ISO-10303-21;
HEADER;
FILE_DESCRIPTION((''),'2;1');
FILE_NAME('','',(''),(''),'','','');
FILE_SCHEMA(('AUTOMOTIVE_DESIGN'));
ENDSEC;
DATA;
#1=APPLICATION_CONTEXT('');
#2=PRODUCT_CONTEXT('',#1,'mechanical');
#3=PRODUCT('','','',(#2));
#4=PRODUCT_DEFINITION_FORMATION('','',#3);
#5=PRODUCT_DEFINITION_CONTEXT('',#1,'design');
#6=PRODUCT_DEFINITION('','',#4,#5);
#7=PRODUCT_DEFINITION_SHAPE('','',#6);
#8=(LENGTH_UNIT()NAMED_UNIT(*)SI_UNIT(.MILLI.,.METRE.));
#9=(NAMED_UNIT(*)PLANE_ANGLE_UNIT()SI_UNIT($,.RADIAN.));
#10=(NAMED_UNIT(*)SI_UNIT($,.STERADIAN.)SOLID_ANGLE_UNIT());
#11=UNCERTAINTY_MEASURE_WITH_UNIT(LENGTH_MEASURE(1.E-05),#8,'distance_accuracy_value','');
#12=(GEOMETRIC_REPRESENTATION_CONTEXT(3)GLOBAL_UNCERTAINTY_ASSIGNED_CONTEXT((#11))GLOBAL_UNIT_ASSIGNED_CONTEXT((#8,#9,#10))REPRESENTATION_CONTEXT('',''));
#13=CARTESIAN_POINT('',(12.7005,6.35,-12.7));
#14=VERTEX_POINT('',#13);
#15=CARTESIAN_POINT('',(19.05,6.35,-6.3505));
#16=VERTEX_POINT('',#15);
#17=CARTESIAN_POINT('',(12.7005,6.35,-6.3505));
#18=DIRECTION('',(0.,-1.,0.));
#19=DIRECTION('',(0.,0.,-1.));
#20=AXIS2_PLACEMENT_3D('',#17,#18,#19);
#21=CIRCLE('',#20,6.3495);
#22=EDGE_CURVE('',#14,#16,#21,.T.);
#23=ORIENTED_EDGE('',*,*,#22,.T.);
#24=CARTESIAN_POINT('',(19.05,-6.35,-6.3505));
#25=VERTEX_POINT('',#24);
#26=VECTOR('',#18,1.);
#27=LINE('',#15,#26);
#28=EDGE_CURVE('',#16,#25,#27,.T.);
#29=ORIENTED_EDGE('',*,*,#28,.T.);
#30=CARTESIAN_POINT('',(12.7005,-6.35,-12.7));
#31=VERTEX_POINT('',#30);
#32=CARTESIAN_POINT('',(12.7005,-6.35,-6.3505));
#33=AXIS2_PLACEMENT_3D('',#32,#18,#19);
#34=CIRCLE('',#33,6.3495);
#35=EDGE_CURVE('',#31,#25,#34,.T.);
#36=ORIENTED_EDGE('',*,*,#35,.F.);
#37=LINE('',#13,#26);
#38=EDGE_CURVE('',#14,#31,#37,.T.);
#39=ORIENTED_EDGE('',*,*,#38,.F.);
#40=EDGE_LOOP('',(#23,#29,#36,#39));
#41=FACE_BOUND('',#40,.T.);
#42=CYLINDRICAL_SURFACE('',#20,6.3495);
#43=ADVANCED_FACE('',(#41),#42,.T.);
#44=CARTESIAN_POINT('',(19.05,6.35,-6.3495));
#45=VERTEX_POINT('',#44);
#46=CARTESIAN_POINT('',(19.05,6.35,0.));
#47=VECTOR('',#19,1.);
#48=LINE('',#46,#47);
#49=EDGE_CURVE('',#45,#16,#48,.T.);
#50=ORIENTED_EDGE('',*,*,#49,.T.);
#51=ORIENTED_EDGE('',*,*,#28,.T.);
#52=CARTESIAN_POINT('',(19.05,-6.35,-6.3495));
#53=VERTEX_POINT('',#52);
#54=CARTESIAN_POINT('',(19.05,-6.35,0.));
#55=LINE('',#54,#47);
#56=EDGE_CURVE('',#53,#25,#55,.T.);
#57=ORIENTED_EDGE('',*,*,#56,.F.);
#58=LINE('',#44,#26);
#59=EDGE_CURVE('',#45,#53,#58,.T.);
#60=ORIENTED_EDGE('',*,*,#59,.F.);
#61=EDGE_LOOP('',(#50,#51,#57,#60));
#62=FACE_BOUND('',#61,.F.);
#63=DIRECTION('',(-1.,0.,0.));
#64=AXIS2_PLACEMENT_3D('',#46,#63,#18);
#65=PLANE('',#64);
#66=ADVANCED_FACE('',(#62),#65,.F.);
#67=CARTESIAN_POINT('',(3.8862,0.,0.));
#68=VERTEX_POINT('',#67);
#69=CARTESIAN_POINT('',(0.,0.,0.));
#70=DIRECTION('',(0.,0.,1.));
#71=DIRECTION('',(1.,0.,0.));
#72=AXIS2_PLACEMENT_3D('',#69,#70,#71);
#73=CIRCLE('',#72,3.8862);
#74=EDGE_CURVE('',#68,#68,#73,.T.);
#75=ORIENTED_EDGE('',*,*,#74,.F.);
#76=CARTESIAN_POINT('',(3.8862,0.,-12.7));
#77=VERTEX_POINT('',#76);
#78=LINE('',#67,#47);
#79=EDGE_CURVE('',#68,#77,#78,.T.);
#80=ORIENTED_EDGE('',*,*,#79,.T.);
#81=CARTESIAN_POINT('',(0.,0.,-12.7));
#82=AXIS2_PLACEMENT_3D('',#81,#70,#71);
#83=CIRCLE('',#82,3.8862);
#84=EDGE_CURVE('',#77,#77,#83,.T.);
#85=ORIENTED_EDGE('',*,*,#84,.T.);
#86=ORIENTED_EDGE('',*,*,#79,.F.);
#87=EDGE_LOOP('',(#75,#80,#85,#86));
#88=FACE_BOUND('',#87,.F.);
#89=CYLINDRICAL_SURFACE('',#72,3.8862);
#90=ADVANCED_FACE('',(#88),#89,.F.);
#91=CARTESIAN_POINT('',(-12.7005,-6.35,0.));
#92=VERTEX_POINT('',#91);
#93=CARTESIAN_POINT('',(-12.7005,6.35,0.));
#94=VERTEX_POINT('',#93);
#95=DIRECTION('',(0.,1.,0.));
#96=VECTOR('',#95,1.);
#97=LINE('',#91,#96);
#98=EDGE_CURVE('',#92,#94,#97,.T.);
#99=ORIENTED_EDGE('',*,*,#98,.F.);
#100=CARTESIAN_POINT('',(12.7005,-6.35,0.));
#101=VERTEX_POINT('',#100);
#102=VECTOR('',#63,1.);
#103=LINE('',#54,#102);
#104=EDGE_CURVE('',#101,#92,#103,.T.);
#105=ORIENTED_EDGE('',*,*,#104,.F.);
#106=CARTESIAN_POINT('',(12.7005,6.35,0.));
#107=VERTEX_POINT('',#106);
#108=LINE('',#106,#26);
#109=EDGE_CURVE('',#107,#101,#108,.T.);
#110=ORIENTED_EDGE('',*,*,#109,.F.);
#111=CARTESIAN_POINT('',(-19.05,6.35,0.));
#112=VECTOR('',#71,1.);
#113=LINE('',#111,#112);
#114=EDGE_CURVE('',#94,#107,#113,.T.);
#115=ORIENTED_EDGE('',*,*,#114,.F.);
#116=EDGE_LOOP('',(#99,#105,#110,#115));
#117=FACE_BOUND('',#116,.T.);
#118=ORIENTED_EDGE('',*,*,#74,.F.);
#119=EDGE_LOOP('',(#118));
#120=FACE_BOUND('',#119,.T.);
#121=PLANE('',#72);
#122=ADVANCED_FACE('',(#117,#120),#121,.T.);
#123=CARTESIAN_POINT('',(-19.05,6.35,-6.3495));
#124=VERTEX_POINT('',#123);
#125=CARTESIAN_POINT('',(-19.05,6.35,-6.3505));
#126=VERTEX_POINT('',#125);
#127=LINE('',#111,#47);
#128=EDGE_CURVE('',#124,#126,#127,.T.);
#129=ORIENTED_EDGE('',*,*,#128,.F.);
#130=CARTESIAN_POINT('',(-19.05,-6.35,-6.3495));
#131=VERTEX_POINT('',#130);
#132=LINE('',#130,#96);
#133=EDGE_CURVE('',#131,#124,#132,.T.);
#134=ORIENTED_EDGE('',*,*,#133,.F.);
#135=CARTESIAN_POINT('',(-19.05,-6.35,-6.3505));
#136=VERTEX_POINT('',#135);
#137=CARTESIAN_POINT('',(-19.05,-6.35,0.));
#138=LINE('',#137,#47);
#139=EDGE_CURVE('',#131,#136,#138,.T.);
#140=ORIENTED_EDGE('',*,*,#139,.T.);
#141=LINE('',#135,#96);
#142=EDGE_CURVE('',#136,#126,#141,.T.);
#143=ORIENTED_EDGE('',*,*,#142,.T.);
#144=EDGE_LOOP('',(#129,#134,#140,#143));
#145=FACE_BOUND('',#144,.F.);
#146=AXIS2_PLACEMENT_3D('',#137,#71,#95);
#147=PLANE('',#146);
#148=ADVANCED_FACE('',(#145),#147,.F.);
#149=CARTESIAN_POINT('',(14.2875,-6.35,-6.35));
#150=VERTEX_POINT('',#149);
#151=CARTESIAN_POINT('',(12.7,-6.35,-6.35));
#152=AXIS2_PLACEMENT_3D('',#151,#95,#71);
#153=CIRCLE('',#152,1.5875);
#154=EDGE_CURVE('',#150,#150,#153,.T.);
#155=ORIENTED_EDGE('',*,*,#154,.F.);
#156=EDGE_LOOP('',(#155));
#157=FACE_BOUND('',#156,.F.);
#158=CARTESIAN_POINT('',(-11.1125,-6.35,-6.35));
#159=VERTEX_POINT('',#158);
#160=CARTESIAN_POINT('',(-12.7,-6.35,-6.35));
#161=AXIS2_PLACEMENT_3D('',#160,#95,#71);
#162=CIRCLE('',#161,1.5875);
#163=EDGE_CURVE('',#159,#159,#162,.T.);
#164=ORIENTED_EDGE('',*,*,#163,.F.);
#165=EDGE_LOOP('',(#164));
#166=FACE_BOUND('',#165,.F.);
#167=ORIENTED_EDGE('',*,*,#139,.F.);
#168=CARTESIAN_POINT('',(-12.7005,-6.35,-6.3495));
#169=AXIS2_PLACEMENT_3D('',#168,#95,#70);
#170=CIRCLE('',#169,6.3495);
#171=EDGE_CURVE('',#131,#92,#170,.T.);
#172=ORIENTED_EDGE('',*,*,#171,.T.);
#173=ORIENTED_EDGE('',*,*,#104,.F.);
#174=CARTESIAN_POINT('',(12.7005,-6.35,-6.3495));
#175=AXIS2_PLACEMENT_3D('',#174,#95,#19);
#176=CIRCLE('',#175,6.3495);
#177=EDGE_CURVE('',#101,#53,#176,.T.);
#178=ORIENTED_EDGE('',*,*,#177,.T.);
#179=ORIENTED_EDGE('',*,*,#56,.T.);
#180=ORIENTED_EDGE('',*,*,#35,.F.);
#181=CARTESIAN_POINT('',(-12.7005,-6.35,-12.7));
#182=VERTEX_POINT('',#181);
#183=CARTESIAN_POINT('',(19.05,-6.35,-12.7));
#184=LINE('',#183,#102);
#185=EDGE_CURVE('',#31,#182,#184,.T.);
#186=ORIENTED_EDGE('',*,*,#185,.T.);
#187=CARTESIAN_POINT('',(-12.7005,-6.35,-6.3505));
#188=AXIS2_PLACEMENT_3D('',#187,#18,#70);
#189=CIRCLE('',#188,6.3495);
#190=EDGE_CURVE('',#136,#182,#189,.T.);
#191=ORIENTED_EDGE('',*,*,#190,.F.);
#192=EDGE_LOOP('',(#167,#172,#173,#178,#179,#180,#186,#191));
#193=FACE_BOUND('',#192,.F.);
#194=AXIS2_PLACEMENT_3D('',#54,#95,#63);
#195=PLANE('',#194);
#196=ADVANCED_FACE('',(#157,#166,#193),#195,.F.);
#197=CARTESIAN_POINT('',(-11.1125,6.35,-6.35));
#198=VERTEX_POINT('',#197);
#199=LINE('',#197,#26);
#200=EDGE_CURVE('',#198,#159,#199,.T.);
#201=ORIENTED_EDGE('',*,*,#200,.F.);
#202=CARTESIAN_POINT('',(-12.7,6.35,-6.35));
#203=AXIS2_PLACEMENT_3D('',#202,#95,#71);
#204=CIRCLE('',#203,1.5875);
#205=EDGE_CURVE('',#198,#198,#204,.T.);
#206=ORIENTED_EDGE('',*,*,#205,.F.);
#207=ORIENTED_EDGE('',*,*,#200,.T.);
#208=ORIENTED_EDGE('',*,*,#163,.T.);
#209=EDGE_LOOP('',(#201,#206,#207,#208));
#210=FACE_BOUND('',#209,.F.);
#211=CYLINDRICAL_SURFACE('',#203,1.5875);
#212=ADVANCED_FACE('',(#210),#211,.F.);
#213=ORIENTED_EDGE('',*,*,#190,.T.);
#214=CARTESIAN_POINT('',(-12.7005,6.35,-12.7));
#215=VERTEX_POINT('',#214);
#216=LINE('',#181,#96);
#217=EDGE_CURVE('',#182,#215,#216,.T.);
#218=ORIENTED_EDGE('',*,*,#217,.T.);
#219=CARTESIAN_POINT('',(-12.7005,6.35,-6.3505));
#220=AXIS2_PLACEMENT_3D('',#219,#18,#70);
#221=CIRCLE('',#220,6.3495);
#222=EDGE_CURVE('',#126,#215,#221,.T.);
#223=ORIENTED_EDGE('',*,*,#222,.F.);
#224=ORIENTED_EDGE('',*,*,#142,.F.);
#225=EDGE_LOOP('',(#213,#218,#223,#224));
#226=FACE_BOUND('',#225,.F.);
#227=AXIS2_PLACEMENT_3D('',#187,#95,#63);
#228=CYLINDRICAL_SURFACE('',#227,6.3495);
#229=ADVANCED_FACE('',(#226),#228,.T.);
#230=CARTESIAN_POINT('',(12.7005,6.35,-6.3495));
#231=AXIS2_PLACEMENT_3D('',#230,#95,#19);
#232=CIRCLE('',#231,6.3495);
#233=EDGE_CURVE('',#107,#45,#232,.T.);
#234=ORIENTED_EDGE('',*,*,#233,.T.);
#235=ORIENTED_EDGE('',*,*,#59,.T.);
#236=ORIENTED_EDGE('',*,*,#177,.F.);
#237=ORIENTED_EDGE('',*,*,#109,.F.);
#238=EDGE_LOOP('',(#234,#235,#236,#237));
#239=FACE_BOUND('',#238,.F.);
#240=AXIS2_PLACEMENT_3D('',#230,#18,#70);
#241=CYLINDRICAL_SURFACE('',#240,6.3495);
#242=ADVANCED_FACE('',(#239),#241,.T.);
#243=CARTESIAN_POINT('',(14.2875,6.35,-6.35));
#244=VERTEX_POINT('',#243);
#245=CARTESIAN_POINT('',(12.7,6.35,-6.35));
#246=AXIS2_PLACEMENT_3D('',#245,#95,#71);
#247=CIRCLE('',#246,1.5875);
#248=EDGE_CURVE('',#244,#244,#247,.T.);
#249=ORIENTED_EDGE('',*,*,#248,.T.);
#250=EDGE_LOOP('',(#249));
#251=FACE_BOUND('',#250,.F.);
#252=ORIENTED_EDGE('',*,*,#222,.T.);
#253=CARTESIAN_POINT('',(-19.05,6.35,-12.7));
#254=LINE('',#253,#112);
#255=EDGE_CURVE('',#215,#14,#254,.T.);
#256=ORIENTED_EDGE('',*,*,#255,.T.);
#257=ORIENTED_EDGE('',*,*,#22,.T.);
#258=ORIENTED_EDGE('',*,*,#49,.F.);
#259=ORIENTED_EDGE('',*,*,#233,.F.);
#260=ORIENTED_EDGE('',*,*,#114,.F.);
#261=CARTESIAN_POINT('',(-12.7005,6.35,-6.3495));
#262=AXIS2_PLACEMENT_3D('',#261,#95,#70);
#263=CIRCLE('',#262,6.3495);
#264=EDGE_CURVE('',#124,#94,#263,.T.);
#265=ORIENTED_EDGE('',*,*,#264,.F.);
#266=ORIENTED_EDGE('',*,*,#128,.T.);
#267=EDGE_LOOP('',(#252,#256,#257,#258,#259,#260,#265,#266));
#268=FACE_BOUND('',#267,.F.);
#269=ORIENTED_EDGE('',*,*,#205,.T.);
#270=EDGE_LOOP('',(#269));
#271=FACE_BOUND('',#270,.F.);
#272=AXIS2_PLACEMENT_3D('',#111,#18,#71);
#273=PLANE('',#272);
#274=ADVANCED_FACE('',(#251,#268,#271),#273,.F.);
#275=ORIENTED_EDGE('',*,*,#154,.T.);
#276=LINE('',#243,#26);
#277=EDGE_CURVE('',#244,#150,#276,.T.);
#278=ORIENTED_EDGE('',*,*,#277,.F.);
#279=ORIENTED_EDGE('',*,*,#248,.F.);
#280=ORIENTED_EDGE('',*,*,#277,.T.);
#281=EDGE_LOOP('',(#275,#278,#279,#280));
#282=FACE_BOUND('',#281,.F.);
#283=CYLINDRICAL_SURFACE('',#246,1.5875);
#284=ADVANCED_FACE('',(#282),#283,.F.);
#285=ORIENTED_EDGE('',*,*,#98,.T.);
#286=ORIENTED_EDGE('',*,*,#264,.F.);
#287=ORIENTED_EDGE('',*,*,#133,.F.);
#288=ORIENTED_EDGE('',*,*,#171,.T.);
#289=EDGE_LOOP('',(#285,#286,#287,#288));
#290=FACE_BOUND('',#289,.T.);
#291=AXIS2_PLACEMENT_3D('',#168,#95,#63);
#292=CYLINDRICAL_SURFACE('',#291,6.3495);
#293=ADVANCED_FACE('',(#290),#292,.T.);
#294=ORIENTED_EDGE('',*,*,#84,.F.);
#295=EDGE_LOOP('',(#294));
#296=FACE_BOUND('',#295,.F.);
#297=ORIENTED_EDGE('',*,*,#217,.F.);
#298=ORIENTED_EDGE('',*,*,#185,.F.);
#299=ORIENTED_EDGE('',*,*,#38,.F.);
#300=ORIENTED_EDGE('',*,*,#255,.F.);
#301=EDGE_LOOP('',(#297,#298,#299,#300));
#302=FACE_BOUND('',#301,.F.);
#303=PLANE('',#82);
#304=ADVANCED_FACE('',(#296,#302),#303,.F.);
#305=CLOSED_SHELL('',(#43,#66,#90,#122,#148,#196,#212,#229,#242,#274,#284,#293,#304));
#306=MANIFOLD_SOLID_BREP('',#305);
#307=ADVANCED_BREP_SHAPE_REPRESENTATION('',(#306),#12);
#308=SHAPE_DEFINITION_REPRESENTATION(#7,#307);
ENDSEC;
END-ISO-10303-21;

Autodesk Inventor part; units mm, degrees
ref_plane "YZ Plane" through (0, 0, 0) normal (1, 0, 0) x (0, 1, 0)
ref_plane "XZ Plane" through (0, 0, 0) normal (0, 1, 0) x (-1, 0, 0)
ref_plane "XY Plane" through (0, 0, 0) normal (0, 0, 1) x (1, 0, 0)
sketch "Sketch1" plane through (0, 0, 0) normal (0, 0, 1) x (1, 0, 0)
  circle A0 centre (0, 0) radius 3.8862 projected
  line L0 (-19.05, 6.35) -> (19.05, 6.35)
  line L1 (19.05, 6.35) -> (19.05, -6.35)
  line L2 (19.05, -6.35) -> (-19.05, -6.35)
  line L3 (-19.05, -6.35) -> (-19.05, 6.35)
  point P0 (0, 0)
  dimension "d0" = 38.1
  dimension "d2" = 12.7
  dimension "d3" = 6.35
  dimension "d4" = 19.05
extrude "Extrusion1" add sketch "Sketch1" against normal blind 12.7
sketch "Sketch2" plane through (-19.05, 6.35, 0) normal (0, 1, 0) x (1, 0, 0)
  line L0 (38.1, 0) -> (38.1, 12.7) projected
  line L1 (0, 0) -> (0, 12.7) projected
  circle A0 centre (6.35, 6.35) radius 1.5875
  circle A1 centre (31.75, 6.35) radius 1.5875
  point P0 (19.05, 0)
  dimension "d7" = 3.175
  dimension "d9" = 6.35
  dimension "d10" = 6.35
extrude "Extrusion2" cut sketch "Sketch2" against normal up to next
fillet "Fillet1" radius 6.35 4 edges at (19.05, 0, -12.7) (19.05, 0, 0) (-19.05, 0, -12.7) (-19.05, 0, 0)
properties part number "motormount" material "ABS Plastic"
